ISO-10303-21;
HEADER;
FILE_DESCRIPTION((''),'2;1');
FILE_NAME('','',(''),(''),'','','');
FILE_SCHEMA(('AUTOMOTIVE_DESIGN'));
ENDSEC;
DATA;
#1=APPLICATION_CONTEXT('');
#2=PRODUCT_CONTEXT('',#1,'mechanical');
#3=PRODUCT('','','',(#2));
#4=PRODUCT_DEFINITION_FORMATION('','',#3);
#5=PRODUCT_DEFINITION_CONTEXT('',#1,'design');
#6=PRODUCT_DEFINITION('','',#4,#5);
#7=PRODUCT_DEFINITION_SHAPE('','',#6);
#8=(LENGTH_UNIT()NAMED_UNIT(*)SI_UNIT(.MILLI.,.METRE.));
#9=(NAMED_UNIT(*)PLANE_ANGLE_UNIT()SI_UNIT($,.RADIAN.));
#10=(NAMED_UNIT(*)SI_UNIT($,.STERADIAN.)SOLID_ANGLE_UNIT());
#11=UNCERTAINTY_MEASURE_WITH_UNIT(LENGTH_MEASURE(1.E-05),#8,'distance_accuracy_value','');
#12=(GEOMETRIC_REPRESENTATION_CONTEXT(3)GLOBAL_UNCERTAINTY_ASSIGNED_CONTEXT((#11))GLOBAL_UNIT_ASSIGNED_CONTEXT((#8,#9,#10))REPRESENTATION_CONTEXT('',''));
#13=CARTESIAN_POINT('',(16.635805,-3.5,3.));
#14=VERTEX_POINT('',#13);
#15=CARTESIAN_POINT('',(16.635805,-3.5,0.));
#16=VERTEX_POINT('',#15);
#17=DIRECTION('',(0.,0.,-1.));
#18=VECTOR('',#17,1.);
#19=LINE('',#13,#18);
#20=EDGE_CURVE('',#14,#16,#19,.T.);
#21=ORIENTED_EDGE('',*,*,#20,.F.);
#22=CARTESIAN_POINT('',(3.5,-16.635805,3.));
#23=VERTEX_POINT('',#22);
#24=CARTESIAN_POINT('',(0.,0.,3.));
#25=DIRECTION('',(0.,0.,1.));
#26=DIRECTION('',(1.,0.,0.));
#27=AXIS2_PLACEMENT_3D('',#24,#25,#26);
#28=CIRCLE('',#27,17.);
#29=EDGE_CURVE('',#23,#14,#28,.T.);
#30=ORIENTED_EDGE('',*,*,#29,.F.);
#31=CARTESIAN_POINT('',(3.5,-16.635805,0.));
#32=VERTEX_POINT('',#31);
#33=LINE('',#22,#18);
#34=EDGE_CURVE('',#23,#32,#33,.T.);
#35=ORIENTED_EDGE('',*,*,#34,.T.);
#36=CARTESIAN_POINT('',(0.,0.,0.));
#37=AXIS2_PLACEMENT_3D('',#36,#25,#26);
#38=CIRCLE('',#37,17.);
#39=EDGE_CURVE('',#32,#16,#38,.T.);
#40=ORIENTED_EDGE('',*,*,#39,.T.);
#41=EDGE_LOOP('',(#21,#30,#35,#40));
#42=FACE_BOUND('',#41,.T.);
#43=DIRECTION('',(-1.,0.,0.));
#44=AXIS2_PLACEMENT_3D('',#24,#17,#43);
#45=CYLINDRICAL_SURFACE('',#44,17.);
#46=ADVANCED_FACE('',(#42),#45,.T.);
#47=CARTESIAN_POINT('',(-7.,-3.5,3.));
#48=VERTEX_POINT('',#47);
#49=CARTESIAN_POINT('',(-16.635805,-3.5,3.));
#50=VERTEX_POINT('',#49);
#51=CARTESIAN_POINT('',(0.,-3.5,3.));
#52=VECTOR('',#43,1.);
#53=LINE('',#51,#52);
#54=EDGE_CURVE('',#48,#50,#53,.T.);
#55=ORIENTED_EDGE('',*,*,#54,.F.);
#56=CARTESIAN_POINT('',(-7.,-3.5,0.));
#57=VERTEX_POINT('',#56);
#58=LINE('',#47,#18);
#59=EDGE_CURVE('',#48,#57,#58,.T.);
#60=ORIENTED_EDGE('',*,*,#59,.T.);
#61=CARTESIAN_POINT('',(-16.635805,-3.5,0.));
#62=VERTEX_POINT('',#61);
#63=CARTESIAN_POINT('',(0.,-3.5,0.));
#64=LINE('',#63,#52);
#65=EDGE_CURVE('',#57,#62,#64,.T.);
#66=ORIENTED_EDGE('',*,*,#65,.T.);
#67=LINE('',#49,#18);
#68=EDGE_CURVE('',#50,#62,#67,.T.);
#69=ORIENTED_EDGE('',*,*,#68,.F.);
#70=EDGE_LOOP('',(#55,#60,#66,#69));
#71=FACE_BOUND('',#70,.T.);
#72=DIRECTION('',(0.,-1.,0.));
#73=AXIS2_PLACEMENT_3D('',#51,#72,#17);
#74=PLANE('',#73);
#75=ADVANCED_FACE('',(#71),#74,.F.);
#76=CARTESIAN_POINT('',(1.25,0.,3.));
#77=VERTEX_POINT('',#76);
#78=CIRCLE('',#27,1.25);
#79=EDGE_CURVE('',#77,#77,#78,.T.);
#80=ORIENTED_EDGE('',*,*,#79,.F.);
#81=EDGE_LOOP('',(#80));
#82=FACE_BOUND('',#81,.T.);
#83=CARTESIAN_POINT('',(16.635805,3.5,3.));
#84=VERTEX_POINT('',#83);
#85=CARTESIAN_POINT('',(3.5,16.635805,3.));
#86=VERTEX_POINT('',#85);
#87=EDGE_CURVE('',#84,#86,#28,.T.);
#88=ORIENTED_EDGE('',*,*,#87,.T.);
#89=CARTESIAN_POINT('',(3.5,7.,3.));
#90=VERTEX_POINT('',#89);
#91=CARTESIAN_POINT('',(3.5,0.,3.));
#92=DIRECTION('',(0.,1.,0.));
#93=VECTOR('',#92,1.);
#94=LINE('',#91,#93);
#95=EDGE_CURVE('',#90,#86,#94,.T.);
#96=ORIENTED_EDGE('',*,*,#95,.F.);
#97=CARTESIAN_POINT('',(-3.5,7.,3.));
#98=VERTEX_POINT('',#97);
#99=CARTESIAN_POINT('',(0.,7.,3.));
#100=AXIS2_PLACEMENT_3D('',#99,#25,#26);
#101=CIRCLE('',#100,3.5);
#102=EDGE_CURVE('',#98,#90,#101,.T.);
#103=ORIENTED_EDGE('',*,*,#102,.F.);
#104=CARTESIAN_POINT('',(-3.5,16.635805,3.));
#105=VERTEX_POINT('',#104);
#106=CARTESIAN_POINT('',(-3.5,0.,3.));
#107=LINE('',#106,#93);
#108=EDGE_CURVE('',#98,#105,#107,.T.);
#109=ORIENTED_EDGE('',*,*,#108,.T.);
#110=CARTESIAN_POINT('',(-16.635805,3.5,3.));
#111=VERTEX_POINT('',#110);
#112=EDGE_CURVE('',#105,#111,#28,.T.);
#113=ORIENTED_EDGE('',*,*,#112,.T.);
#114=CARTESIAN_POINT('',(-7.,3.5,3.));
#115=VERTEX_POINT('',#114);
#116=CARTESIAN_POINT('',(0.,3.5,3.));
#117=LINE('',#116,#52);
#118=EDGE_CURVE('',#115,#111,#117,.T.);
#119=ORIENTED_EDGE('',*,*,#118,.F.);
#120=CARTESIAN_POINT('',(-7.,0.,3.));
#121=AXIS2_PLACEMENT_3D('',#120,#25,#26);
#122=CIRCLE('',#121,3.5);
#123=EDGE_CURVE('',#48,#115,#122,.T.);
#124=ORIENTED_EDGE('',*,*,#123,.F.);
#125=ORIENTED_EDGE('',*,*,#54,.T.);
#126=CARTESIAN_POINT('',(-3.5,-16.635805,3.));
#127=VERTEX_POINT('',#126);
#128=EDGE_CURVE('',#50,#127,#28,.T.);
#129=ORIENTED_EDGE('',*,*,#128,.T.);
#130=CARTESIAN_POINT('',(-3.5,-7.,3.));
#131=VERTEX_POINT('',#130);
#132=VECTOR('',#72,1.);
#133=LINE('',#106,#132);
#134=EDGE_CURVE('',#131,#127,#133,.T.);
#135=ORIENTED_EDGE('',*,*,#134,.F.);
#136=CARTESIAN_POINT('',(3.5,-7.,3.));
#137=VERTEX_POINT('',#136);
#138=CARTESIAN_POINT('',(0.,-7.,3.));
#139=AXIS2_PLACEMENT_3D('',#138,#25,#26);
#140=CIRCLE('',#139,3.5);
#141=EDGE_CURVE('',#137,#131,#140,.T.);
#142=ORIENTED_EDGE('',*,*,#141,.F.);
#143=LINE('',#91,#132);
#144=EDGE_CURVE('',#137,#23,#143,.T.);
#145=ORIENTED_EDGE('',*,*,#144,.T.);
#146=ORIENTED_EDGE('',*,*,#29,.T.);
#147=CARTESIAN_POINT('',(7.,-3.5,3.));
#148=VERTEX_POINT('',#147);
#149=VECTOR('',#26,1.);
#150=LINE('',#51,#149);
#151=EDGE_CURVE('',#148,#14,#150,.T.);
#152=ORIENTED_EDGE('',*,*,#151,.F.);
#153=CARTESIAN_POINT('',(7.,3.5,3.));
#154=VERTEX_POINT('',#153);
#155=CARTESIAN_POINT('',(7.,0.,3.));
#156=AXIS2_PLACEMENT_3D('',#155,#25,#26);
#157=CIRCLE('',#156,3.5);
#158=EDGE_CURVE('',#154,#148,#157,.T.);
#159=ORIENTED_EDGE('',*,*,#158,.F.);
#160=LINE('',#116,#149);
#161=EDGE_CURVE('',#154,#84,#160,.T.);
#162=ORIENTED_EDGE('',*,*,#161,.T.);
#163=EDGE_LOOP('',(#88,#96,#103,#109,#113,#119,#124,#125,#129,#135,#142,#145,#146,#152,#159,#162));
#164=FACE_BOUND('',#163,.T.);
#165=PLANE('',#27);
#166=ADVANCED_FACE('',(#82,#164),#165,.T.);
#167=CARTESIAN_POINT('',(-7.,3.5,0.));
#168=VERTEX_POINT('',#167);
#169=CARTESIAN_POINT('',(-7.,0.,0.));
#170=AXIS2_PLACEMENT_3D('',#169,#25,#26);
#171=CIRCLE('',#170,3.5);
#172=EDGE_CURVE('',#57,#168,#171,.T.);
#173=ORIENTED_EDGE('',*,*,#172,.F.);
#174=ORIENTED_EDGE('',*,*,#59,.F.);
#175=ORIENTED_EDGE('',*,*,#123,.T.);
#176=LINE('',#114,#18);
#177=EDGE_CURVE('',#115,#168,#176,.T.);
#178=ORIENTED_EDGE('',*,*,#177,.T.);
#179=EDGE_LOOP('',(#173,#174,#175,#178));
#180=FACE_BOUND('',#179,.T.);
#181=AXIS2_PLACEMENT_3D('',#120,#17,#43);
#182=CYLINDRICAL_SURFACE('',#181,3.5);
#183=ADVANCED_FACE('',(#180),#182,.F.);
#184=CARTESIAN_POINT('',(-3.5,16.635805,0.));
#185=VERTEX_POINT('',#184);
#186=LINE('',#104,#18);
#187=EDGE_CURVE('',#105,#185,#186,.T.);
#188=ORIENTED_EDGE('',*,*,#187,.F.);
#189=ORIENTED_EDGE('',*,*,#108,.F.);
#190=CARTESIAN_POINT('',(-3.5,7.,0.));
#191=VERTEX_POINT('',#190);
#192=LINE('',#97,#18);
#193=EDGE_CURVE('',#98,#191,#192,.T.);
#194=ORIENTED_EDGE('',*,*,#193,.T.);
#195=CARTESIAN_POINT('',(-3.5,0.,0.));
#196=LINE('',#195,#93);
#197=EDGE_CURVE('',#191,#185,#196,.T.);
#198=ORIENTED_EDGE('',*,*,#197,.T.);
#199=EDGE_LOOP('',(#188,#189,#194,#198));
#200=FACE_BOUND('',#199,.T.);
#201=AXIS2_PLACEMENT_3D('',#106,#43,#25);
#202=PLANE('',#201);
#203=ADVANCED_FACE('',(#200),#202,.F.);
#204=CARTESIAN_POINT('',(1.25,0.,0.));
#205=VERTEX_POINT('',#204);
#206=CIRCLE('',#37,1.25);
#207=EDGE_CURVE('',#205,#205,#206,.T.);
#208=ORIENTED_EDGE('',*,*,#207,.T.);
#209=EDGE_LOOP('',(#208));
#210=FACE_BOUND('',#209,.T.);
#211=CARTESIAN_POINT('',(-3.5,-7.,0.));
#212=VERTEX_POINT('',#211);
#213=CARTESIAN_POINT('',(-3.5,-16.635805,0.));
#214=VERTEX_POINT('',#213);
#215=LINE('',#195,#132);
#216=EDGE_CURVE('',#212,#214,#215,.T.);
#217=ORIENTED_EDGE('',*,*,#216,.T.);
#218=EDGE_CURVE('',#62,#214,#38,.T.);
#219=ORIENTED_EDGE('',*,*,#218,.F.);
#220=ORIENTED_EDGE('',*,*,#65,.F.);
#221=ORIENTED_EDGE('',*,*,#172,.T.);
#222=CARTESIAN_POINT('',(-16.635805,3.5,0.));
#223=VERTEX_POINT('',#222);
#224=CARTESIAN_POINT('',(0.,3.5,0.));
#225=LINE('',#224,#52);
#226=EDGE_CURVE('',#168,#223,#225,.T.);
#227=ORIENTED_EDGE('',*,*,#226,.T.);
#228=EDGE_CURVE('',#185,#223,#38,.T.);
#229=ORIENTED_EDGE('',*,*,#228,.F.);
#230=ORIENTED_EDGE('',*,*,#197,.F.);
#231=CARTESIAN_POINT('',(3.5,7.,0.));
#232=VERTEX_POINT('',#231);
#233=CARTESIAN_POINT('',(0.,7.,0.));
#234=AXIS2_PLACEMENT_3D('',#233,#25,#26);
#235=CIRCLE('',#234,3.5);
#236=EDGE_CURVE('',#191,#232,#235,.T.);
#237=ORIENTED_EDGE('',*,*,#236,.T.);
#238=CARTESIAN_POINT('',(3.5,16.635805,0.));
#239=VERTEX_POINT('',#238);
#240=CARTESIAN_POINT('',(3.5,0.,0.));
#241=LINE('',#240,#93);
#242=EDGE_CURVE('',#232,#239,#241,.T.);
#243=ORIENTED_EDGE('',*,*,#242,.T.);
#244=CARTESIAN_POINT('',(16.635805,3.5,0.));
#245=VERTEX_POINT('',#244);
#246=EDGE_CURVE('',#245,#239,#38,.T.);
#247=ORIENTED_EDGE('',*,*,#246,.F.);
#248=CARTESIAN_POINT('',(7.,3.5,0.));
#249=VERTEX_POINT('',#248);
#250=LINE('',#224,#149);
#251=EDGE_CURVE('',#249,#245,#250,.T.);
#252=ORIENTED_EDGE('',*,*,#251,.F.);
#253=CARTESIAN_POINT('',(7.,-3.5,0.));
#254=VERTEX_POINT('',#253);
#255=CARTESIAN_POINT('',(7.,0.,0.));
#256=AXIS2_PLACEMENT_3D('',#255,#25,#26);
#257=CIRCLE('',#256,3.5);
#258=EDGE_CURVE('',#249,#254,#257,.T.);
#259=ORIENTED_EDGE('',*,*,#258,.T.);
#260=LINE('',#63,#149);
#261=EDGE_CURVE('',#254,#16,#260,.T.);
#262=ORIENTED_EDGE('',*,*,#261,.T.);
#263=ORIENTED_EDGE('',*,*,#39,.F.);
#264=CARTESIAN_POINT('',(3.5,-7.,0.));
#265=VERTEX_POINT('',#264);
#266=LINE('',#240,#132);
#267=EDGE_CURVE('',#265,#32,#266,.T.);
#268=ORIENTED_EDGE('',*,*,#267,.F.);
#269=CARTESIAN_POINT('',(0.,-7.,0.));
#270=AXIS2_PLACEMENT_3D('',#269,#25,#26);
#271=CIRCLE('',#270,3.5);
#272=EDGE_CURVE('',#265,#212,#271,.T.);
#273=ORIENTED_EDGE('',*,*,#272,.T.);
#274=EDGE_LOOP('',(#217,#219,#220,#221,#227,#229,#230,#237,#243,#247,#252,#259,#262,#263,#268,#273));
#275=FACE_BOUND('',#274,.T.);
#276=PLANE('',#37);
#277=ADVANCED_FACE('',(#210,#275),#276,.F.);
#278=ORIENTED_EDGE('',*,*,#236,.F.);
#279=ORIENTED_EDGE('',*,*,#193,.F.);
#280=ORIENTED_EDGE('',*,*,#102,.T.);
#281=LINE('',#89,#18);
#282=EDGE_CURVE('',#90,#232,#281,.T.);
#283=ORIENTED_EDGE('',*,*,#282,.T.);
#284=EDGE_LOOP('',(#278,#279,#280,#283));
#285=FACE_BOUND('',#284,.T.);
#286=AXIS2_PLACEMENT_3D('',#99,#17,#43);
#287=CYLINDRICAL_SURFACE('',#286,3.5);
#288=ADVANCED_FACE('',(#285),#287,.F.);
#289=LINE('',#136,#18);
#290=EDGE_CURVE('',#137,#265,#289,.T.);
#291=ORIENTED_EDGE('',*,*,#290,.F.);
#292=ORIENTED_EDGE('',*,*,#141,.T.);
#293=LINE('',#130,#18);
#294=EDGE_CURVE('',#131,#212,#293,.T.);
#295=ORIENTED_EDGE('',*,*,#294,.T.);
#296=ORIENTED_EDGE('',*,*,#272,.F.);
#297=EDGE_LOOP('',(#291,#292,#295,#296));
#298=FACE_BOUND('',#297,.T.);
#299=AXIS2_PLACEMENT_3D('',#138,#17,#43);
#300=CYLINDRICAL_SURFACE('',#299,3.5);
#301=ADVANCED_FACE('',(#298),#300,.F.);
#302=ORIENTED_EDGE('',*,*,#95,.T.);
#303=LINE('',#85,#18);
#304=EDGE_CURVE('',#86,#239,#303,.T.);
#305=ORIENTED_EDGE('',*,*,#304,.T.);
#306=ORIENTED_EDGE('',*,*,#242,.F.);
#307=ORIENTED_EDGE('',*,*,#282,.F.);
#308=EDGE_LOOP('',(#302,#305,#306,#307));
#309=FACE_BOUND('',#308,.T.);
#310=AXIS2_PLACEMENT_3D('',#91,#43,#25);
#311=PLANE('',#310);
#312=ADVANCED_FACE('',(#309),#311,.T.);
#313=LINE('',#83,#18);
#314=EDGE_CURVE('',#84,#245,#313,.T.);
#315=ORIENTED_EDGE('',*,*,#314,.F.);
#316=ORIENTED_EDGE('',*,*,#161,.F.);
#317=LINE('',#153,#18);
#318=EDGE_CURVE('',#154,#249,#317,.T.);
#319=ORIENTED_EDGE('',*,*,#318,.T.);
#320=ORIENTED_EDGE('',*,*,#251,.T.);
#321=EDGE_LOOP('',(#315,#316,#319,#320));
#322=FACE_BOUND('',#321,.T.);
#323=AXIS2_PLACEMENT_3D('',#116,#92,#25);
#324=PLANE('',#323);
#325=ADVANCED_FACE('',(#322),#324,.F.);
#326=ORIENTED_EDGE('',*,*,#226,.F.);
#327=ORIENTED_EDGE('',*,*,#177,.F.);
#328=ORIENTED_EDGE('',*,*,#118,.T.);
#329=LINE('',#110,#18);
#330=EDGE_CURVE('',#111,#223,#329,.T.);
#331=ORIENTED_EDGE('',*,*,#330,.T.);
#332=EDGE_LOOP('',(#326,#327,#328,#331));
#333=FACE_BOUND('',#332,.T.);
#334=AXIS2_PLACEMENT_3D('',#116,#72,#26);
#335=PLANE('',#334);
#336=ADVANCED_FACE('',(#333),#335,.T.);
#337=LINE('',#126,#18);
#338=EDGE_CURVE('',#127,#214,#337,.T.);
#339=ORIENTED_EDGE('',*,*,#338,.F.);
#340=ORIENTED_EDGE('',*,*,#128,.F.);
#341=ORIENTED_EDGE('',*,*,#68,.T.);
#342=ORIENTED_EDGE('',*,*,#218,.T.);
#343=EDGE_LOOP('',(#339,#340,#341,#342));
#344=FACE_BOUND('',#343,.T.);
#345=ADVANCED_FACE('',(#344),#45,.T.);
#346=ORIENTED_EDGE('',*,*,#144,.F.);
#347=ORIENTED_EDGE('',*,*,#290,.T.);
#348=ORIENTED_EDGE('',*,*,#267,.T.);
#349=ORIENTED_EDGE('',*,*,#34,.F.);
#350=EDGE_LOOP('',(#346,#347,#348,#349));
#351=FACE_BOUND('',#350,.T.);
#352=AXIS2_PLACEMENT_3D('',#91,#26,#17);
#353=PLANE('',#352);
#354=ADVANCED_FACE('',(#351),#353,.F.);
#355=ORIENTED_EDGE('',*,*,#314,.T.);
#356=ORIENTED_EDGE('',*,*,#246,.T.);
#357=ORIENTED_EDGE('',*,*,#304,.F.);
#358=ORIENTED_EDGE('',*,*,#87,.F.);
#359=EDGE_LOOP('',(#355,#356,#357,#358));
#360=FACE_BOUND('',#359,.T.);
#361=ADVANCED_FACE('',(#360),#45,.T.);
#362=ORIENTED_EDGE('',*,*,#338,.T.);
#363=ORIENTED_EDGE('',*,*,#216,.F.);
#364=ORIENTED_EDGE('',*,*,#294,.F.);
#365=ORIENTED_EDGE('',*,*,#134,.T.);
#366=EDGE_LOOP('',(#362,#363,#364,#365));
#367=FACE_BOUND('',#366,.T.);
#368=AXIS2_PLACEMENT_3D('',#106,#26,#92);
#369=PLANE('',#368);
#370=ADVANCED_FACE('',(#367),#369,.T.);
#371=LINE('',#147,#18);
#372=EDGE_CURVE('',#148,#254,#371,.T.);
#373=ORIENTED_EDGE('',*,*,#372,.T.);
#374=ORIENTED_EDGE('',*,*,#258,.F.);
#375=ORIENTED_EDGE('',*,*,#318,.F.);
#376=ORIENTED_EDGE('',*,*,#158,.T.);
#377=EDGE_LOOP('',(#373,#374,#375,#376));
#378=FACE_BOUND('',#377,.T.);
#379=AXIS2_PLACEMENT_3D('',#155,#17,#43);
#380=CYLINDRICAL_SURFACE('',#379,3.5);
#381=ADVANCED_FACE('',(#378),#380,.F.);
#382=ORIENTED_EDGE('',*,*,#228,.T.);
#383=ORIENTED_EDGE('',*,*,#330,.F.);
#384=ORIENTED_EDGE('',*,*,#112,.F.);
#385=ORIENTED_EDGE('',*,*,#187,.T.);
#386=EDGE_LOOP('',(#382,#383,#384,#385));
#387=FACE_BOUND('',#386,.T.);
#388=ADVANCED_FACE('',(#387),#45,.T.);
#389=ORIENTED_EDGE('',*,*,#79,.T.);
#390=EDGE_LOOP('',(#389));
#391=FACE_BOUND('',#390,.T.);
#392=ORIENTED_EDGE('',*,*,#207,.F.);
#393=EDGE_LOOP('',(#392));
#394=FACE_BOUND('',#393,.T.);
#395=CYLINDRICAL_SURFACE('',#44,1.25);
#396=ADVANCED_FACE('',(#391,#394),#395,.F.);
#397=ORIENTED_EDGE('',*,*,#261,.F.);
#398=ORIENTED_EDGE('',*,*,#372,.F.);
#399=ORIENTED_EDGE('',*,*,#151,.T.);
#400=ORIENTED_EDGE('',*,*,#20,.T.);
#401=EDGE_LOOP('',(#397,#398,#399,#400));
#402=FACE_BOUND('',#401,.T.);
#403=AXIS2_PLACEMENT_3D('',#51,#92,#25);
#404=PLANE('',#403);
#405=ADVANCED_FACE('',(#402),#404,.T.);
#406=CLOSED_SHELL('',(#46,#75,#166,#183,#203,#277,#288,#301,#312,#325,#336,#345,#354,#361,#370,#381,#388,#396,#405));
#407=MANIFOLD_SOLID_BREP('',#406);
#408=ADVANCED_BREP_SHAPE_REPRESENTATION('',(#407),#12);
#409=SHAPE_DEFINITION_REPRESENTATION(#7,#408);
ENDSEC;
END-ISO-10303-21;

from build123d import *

# Parameters (mm, degrees)
SKETCH_1_R      = 1.25
EXTRUDE_1_DEPTH = 3


with BuildPart() as part:
    # 草图1 → 凸台-拉伸1 (new body)
    with BuildSketch(Plane.XY):
        with BuildLine():
            ThreePointArc((3.5, 7), (0, 3.5), (-3.5, 7))
            Line((-3.5, 7), (-3.5, 16.63580476))
            ThreePointArc((-3.5, 16.63580476), (-12.02081528, 12.02081528), (-16.63580476, 3.5))
            Line((-16.63580476, 3.5), (-7, 3.5))
            ThreePointArc((-7, 3.5), (-4.525126266, 2.474873734), (-3.5, 0))
            ThreePointArc((-3.5, 0), (-4.525126266, -2.474873734), (-7, -3.5))
            Line((-7, -3.5), (-16.63580476, -3.5))
            ThreePointArc((-16.63580476, -3.5), (-12.02081528, -12.02081528), (-3.5, -16.63580476))
            Line((-3.5, -16.63580476), (-3.5, -7))
            ThreePointArc((-3.5, -7), (0, -3.5), (3.5, -7))
            Line((3.5, -7), (3.5, -16.63580476))
            ThreePointArc((3.5, -16.63580476), (12.02081528, -12.02081528), (16.63580476, -3.5))
            Line((16.63580476, -3.5), (7, -3.5))
            ThreePointArc((7, -3.5), (3.5, 0), (7, 3.5))
            Line((7, 3.5), (16.63580476, 3.5))
            ThreePointArc((16.63580476, 3.5), (12.02081528, 12.02081528), (3.5, 16.63580476))
            Line((3.5, 16.63580476), (3.5, 7))
        make_face()
        Circle(SKETCH_1_R, mode=Mode.SUBTRACT)
    extrude(amount=EXTRUDE_1_DEPTH)


solid = part.part
